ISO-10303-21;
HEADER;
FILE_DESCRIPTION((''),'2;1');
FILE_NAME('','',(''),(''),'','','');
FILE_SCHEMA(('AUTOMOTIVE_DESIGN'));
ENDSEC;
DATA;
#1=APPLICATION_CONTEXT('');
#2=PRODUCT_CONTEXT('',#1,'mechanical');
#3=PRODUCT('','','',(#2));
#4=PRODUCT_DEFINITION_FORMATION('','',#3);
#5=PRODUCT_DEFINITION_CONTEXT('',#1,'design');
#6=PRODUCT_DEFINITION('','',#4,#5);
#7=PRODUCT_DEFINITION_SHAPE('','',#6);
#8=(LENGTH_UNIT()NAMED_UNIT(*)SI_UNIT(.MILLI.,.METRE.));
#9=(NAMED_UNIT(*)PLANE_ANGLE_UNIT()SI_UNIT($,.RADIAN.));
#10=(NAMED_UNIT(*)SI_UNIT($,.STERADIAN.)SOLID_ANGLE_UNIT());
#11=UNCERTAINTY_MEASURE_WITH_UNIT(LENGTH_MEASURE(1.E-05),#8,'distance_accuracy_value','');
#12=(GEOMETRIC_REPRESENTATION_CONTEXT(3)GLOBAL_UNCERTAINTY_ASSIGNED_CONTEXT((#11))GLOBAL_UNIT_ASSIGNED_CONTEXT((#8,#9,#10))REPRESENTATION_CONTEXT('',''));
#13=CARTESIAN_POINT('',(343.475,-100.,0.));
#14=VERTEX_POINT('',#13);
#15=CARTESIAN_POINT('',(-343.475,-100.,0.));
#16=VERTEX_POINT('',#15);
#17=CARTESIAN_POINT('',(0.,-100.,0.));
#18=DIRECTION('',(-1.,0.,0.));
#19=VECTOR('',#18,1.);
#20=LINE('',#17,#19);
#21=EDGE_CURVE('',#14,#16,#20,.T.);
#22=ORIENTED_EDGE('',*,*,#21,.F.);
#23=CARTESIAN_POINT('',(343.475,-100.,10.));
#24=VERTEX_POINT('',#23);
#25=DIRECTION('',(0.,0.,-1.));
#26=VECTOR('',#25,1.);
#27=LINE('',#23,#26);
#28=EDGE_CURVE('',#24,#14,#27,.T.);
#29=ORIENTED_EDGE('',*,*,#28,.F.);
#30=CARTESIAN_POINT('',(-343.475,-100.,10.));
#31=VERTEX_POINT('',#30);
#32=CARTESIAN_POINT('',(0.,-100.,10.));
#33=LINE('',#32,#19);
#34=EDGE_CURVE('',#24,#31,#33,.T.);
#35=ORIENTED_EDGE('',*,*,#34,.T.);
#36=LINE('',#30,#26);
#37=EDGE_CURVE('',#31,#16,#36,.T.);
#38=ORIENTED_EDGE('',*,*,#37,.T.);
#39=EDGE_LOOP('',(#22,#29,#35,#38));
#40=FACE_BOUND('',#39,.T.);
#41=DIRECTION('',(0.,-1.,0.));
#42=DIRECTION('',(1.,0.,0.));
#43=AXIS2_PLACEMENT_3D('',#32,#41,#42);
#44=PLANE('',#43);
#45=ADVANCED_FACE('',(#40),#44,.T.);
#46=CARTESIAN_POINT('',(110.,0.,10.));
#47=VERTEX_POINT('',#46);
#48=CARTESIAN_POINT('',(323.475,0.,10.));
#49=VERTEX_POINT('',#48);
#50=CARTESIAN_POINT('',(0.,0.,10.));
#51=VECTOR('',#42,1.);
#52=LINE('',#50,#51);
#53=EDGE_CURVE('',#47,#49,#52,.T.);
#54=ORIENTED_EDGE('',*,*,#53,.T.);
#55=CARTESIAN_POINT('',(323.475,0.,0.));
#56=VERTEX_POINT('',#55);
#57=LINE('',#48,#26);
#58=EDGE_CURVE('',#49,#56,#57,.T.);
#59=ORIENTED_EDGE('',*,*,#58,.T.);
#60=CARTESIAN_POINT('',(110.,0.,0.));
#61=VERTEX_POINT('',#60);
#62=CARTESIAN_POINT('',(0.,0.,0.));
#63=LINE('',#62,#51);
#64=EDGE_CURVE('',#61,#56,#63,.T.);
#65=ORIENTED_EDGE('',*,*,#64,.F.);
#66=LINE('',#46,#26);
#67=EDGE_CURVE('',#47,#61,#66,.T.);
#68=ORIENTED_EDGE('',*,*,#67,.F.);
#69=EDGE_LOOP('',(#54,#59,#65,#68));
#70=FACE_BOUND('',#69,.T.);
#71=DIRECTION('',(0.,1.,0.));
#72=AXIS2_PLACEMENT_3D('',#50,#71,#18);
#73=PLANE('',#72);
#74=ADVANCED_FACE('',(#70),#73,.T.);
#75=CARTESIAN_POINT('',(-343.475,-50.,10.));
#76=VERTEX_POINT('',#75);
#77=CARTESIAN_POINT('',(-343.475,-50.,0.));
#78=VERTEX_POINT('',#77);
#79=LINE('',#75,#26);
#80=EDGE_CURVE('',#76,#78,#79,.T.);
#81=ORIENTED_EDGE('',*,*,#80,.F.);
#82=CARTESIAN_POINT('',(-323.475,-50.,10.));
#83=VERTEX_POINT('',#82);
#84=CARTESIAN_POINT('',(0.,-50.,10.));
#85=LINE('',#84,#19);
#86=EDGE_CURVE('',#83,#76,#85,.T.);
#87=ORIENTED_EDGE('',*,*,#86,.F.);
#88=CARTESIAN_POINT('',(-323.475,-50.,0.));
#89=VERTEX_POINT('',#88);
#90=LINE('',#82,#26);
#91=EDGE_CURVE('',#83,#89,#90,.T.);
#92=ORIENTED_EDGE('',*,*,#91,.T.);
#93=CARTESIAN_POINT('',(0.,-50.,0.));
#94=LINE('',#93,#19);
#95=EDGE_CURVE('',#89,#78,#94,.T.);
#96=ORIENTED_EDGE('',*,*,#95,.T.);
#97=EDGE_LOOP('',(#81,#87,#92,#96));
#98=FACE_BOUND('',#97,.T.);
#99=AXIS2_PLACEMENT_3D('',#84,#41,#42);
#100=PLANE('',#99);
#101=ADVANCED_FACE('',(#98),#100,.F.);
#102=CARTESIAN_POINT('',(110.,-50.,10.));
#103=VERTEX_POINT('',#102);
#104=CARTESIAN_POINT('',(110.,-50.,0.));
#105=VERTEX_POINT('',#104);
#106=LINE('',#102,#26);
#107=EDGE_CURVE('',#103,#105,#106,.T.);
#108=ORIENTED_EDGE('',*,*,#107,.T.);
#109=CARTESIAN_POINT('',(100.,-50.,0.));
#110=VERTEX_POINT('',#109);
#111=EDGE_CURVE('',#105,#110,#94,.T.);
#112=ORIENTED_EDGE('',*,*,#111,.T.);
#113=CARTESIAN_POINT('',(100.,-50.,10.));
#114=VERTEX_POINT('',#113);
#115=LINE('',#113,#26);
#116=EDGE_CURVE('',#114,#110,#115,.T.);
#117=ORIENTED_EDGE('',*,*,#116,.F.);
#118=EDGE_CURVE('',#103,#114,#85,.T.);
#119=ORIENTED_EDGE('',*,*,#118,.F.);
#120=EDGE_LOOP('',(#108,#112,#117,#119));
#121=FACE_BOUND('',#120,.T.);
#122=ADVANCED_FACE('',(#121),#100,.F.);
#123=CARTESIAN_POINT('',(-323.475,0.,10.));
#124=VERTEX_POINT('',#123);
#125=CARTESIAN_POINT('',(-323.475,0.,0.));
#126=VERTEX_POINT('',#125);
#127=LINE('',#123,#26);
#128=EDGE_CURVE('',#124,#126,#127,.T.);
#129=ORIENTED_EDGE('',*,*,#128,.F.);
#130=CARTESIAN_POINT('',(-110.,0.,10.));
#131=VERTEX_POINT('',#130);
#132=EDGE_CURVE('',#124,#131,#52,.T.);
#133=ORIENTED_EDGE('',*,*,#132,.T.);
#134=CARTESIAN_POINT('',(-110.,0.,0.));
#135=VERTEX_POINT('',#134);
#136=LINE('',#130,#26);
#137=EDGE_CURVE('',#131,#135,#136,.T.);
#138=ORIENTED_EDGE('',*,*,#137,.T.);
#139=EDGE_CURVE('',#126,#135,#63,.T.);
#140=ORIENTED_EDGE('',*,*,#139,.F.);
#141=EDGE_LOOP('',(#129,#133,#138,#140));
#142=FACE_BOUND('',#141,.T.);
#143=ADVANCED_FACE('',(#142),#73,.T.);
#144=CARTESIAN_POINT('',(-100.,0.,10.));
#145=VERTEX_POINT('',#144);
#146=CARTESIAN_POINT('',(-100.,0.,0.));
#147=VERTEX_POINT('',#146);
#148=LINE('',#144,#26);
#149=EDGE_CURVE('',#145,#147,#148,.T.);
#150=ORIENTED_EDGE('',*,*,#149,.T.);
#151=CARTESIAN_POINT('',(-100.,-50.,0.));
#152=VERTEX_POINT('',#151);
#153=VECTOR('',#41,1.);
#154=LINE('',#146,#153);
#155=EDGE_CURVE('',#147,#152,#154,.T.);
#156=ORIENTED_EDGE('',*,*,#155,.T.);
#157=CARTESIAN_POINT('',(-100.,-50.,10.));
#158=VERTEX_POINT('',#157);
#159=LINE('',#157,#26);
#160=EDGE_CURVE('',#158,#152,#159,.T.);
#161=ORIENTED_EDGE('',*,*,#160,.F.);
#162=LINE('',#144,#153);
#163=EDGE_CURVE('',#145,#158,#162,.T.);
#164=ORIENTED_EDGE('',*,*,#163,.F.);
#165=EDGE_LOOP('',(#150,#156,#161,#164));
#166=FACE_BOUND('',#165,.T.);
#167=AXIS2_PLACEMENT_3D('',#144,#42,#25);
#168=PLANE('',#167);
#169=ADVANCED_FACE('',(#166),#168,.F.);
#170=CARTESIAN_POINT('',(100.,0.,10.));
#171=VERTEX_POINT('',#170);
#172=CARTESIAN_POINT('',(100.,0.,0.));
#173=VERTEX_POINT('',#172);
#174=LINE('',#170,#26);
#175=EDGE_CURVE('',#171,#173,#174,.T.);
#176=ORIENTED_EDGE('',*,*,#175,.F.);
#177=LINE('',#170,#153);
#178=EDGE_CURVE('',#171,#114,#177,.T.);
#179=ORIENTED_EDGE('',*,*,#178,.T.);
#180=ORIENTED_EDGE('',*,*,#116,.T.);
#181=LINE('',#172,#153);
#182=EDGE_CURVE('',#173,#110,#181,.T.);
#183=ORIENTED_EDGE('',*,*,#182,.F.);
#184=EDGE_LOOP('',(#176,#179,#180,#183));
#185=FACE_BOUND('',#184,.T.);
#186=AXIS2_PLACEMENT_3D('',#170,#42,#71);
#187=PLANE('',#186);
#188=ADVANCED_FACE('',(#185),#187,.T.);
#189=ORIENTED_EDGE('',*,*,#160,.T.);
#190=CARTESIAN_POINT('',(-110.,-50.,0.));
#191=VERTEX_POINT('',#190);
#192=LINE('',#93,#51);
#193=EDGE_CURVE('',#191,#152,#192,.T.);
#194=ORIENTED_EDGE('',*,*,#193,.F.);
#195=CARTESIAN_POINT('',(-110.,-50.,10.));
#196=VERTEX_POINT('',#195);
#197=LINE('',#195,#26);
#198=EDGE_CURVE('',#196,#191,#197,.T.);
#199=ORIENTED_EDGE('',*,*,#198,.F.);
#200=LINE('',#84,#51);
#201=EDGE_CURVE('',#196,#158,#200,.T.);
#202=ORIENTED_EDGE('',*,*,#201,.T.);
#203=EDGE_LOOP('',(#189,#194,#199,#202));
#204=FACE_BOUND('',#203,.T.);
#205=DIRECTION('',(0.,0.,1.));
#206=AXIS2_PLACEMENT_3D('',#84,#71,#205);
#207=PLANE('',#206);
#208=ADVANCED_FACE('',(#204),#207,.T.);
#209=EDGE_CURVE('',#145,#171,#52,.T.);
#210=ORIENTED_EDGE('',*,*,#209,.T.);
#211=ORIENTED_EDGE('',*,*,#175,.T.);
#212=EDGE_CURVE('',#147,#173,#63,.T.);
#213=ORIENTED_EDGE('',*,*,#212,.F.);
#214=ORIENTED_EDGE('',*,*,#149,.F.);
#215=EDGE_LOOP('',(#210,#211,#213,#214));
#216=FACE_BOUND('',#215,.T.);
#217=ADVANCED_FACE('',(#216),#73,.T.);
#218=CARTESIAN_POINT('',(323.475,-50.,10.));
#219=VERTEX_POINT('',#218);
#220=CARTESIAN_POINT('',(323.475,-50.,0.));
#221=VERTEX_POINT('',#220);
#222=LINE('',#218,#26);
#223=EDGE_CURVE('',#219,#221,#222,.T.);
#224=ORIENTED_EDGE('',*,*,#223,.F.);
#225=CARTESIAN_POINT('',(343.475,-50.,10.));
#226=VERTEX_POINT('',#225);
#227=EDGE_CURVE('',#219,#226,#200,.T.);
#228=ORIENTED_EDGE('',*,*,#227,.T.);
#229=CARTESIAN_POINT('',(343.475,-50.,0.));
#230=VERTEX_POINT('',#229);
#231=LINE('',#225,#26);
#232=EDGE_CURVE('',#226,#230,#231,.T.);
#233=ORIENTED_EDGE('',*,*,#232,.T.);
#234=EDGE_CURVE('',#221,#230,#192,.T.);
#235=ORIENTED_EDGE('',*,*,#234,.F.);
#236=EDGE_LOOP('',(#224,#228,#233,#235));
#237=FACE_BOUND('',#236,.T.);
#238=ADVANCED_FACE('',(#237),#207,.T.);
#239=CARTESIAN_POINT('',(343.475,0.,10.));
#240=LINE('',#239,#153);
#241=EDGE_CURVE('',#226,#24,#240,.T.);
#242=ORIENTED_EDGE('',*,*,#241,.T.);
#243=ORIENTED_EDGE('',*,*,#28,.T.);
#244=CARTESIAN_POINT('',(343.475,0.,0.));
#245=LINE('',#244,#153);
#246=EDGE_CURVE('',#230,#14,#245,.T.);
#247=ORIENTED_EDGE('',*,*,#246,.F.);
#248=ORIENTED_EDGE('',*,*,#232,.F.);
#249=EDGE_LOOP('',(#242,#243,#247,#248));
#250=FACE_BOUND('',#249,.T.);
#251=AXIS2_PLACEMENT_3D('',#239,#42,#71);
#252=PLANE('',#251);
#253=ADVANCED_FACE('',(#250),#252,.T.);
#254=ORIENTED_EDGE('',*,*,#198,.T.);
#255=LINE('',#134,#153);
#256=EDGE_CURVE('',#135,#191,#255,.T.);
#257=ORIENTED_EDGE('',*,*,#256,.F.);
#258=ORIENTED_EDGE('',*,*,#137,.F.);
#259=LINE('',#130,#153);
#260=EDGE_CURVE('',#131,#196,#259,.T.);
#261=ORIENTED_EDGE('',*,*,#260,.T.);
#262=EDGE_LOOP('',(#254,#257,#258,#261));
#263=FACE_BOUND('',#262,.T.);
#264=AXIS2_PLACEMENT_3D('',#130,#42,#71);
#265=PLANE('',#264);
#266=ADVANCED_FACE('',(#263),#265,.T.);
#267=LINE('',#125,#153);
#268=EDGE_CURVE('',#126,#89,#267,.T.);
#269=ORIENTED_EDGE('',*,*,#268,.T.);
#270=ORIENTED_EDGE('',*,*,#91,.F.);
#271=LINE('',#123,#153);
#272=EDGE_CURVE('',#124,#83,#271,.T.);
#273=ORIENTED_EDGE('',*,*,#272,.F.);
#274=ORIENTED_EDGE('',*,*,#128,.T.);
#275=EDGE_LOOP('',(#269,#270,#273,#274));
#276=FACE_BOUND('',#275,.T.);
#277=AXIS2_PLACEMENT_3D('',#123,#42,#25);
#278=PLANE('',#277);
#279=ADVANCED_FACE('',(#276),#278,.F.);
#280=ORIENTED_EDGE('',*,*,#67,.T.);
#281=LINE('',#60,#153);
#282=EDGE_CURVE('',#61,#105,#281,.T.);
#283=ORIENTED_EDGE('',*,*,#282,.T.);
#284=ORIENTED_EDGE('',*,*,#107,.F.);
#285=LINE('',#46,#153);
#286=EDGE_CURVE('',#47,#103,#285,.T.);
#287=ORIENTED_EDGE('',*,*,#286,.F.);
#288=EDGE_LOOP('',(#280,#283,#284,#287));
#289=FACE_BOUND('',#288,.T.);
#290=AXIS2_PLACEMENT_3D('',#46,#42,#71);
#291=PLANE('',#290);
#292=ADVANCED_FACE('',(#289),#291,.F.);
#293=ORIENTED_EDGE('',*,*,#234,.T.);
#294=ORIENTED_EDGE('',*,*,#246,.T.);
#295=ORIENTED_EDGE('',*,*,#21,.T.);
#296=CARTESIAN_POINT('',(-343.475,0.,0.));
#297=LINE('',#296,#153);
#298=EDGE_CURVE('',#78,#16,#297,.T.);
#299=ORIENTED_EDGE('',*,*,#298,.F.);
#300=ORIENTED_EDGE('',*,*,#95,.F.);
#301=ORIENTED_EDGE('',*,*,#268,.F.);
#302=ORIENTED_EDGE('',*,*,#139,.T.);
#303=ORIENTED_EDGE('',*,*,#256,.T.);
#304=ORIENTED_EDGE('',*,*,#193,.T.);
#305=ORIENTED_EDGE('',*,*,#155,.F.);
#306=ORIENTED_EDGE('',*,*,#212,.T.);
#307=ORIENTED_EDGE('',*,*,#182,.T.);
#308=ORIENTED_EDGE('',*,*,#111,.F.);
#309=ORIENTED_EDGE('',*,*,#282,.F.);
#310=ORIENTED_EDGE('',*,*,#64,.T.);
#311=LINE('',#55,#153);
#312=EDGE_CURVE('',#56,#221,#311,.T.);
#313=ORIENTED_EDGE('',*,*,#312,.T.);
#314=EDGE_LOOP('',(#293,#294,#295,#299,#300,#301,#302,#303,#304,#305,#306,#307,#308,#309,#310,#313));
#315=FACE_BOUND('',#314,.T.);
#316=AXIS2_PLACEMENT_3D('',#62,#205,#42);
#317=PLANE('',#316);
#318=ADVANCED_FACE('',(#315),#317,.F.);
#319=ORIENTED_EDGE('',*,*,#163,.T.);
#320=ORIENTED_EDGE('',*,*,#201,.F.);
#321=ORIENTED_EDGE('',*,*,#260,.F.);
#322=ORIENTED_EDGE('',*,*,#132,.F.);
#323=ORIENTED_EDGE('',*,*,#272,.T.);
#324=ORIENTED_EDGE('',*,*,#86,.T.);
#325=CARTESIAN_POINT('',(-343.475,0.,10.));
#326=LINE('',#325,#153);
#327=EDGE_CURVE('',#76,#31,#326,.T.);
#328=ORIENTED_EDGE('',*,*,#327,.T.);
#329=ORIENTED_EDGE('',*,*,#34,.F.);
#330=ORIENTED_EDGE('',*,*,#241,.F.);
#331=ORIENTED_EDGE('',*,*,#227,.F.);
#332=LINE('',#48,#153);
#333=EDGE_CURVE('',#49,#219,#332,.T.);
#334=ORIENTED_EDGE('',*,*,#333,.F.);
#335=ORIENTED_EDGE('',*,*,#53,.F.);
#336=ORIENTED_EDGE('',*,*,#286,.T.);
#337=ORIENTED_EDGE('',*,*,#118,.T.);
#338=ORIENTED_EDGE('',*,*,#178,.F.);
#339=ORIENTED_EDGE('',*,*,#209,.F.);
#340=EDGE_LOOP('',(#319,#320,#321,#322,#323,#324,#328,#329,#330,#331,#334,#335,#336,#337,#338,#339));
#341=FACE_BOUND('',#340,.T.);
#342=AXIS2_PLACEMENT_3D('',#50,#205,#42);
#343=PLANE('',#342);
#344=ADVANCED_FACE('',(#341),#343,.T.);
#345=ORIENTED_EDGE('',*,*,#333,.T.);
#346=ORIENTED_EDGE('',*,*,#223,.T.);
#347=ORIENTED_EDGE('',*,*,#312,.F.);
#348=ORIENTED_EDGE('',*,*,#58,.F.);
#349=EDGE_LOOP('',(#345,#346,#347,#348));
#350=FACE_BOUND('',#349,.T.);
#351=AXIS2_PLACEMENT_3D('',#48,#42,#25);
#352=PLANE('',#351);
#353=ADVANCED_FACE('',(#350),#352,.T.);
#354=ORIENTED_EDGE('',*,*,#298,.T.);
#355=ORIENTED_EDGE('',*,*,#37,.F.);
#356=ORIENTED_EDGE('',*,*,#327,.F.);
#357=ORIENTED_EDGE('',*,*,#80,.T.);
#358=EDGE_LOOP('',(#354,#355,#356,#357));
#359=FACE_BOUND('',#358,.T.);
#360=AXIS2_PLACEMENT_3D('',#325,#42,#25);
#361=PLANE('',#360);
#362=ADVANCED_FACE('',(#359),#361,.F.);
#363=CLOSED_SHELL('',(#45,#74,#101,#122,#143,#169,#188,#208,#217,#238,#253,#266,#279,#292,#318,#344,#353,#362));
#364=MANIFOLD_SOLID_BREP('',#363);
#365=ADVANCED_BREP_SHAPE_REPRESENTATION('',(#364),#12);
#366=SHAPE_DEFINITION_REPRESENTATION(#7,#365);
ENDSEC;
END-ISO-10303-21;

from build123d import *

# Parameters (mm, degrees)
BOSS_EXTRUDE1_DEPTH = 10


with BuildPart() as part:
    # Sketch1 → Boss-Extrude1 (new body)
    with BuildSketch(Plane.XY):
        Polygon((-323.475, 0), (-110, 0), (-110, -50), (-100, -50), (-100, 0), (100, 0), (100, -50), (110, -50), (110, 0), (323.475, 0), (323.475, -50), (343.475, -50), (343.475, -100), (-343.475, -100), (-343.475, -50), (-323.475, -50), align=None)
    extrude(amount=BOSS_EXTRUDE1_DEPTH)


solid = part.part
